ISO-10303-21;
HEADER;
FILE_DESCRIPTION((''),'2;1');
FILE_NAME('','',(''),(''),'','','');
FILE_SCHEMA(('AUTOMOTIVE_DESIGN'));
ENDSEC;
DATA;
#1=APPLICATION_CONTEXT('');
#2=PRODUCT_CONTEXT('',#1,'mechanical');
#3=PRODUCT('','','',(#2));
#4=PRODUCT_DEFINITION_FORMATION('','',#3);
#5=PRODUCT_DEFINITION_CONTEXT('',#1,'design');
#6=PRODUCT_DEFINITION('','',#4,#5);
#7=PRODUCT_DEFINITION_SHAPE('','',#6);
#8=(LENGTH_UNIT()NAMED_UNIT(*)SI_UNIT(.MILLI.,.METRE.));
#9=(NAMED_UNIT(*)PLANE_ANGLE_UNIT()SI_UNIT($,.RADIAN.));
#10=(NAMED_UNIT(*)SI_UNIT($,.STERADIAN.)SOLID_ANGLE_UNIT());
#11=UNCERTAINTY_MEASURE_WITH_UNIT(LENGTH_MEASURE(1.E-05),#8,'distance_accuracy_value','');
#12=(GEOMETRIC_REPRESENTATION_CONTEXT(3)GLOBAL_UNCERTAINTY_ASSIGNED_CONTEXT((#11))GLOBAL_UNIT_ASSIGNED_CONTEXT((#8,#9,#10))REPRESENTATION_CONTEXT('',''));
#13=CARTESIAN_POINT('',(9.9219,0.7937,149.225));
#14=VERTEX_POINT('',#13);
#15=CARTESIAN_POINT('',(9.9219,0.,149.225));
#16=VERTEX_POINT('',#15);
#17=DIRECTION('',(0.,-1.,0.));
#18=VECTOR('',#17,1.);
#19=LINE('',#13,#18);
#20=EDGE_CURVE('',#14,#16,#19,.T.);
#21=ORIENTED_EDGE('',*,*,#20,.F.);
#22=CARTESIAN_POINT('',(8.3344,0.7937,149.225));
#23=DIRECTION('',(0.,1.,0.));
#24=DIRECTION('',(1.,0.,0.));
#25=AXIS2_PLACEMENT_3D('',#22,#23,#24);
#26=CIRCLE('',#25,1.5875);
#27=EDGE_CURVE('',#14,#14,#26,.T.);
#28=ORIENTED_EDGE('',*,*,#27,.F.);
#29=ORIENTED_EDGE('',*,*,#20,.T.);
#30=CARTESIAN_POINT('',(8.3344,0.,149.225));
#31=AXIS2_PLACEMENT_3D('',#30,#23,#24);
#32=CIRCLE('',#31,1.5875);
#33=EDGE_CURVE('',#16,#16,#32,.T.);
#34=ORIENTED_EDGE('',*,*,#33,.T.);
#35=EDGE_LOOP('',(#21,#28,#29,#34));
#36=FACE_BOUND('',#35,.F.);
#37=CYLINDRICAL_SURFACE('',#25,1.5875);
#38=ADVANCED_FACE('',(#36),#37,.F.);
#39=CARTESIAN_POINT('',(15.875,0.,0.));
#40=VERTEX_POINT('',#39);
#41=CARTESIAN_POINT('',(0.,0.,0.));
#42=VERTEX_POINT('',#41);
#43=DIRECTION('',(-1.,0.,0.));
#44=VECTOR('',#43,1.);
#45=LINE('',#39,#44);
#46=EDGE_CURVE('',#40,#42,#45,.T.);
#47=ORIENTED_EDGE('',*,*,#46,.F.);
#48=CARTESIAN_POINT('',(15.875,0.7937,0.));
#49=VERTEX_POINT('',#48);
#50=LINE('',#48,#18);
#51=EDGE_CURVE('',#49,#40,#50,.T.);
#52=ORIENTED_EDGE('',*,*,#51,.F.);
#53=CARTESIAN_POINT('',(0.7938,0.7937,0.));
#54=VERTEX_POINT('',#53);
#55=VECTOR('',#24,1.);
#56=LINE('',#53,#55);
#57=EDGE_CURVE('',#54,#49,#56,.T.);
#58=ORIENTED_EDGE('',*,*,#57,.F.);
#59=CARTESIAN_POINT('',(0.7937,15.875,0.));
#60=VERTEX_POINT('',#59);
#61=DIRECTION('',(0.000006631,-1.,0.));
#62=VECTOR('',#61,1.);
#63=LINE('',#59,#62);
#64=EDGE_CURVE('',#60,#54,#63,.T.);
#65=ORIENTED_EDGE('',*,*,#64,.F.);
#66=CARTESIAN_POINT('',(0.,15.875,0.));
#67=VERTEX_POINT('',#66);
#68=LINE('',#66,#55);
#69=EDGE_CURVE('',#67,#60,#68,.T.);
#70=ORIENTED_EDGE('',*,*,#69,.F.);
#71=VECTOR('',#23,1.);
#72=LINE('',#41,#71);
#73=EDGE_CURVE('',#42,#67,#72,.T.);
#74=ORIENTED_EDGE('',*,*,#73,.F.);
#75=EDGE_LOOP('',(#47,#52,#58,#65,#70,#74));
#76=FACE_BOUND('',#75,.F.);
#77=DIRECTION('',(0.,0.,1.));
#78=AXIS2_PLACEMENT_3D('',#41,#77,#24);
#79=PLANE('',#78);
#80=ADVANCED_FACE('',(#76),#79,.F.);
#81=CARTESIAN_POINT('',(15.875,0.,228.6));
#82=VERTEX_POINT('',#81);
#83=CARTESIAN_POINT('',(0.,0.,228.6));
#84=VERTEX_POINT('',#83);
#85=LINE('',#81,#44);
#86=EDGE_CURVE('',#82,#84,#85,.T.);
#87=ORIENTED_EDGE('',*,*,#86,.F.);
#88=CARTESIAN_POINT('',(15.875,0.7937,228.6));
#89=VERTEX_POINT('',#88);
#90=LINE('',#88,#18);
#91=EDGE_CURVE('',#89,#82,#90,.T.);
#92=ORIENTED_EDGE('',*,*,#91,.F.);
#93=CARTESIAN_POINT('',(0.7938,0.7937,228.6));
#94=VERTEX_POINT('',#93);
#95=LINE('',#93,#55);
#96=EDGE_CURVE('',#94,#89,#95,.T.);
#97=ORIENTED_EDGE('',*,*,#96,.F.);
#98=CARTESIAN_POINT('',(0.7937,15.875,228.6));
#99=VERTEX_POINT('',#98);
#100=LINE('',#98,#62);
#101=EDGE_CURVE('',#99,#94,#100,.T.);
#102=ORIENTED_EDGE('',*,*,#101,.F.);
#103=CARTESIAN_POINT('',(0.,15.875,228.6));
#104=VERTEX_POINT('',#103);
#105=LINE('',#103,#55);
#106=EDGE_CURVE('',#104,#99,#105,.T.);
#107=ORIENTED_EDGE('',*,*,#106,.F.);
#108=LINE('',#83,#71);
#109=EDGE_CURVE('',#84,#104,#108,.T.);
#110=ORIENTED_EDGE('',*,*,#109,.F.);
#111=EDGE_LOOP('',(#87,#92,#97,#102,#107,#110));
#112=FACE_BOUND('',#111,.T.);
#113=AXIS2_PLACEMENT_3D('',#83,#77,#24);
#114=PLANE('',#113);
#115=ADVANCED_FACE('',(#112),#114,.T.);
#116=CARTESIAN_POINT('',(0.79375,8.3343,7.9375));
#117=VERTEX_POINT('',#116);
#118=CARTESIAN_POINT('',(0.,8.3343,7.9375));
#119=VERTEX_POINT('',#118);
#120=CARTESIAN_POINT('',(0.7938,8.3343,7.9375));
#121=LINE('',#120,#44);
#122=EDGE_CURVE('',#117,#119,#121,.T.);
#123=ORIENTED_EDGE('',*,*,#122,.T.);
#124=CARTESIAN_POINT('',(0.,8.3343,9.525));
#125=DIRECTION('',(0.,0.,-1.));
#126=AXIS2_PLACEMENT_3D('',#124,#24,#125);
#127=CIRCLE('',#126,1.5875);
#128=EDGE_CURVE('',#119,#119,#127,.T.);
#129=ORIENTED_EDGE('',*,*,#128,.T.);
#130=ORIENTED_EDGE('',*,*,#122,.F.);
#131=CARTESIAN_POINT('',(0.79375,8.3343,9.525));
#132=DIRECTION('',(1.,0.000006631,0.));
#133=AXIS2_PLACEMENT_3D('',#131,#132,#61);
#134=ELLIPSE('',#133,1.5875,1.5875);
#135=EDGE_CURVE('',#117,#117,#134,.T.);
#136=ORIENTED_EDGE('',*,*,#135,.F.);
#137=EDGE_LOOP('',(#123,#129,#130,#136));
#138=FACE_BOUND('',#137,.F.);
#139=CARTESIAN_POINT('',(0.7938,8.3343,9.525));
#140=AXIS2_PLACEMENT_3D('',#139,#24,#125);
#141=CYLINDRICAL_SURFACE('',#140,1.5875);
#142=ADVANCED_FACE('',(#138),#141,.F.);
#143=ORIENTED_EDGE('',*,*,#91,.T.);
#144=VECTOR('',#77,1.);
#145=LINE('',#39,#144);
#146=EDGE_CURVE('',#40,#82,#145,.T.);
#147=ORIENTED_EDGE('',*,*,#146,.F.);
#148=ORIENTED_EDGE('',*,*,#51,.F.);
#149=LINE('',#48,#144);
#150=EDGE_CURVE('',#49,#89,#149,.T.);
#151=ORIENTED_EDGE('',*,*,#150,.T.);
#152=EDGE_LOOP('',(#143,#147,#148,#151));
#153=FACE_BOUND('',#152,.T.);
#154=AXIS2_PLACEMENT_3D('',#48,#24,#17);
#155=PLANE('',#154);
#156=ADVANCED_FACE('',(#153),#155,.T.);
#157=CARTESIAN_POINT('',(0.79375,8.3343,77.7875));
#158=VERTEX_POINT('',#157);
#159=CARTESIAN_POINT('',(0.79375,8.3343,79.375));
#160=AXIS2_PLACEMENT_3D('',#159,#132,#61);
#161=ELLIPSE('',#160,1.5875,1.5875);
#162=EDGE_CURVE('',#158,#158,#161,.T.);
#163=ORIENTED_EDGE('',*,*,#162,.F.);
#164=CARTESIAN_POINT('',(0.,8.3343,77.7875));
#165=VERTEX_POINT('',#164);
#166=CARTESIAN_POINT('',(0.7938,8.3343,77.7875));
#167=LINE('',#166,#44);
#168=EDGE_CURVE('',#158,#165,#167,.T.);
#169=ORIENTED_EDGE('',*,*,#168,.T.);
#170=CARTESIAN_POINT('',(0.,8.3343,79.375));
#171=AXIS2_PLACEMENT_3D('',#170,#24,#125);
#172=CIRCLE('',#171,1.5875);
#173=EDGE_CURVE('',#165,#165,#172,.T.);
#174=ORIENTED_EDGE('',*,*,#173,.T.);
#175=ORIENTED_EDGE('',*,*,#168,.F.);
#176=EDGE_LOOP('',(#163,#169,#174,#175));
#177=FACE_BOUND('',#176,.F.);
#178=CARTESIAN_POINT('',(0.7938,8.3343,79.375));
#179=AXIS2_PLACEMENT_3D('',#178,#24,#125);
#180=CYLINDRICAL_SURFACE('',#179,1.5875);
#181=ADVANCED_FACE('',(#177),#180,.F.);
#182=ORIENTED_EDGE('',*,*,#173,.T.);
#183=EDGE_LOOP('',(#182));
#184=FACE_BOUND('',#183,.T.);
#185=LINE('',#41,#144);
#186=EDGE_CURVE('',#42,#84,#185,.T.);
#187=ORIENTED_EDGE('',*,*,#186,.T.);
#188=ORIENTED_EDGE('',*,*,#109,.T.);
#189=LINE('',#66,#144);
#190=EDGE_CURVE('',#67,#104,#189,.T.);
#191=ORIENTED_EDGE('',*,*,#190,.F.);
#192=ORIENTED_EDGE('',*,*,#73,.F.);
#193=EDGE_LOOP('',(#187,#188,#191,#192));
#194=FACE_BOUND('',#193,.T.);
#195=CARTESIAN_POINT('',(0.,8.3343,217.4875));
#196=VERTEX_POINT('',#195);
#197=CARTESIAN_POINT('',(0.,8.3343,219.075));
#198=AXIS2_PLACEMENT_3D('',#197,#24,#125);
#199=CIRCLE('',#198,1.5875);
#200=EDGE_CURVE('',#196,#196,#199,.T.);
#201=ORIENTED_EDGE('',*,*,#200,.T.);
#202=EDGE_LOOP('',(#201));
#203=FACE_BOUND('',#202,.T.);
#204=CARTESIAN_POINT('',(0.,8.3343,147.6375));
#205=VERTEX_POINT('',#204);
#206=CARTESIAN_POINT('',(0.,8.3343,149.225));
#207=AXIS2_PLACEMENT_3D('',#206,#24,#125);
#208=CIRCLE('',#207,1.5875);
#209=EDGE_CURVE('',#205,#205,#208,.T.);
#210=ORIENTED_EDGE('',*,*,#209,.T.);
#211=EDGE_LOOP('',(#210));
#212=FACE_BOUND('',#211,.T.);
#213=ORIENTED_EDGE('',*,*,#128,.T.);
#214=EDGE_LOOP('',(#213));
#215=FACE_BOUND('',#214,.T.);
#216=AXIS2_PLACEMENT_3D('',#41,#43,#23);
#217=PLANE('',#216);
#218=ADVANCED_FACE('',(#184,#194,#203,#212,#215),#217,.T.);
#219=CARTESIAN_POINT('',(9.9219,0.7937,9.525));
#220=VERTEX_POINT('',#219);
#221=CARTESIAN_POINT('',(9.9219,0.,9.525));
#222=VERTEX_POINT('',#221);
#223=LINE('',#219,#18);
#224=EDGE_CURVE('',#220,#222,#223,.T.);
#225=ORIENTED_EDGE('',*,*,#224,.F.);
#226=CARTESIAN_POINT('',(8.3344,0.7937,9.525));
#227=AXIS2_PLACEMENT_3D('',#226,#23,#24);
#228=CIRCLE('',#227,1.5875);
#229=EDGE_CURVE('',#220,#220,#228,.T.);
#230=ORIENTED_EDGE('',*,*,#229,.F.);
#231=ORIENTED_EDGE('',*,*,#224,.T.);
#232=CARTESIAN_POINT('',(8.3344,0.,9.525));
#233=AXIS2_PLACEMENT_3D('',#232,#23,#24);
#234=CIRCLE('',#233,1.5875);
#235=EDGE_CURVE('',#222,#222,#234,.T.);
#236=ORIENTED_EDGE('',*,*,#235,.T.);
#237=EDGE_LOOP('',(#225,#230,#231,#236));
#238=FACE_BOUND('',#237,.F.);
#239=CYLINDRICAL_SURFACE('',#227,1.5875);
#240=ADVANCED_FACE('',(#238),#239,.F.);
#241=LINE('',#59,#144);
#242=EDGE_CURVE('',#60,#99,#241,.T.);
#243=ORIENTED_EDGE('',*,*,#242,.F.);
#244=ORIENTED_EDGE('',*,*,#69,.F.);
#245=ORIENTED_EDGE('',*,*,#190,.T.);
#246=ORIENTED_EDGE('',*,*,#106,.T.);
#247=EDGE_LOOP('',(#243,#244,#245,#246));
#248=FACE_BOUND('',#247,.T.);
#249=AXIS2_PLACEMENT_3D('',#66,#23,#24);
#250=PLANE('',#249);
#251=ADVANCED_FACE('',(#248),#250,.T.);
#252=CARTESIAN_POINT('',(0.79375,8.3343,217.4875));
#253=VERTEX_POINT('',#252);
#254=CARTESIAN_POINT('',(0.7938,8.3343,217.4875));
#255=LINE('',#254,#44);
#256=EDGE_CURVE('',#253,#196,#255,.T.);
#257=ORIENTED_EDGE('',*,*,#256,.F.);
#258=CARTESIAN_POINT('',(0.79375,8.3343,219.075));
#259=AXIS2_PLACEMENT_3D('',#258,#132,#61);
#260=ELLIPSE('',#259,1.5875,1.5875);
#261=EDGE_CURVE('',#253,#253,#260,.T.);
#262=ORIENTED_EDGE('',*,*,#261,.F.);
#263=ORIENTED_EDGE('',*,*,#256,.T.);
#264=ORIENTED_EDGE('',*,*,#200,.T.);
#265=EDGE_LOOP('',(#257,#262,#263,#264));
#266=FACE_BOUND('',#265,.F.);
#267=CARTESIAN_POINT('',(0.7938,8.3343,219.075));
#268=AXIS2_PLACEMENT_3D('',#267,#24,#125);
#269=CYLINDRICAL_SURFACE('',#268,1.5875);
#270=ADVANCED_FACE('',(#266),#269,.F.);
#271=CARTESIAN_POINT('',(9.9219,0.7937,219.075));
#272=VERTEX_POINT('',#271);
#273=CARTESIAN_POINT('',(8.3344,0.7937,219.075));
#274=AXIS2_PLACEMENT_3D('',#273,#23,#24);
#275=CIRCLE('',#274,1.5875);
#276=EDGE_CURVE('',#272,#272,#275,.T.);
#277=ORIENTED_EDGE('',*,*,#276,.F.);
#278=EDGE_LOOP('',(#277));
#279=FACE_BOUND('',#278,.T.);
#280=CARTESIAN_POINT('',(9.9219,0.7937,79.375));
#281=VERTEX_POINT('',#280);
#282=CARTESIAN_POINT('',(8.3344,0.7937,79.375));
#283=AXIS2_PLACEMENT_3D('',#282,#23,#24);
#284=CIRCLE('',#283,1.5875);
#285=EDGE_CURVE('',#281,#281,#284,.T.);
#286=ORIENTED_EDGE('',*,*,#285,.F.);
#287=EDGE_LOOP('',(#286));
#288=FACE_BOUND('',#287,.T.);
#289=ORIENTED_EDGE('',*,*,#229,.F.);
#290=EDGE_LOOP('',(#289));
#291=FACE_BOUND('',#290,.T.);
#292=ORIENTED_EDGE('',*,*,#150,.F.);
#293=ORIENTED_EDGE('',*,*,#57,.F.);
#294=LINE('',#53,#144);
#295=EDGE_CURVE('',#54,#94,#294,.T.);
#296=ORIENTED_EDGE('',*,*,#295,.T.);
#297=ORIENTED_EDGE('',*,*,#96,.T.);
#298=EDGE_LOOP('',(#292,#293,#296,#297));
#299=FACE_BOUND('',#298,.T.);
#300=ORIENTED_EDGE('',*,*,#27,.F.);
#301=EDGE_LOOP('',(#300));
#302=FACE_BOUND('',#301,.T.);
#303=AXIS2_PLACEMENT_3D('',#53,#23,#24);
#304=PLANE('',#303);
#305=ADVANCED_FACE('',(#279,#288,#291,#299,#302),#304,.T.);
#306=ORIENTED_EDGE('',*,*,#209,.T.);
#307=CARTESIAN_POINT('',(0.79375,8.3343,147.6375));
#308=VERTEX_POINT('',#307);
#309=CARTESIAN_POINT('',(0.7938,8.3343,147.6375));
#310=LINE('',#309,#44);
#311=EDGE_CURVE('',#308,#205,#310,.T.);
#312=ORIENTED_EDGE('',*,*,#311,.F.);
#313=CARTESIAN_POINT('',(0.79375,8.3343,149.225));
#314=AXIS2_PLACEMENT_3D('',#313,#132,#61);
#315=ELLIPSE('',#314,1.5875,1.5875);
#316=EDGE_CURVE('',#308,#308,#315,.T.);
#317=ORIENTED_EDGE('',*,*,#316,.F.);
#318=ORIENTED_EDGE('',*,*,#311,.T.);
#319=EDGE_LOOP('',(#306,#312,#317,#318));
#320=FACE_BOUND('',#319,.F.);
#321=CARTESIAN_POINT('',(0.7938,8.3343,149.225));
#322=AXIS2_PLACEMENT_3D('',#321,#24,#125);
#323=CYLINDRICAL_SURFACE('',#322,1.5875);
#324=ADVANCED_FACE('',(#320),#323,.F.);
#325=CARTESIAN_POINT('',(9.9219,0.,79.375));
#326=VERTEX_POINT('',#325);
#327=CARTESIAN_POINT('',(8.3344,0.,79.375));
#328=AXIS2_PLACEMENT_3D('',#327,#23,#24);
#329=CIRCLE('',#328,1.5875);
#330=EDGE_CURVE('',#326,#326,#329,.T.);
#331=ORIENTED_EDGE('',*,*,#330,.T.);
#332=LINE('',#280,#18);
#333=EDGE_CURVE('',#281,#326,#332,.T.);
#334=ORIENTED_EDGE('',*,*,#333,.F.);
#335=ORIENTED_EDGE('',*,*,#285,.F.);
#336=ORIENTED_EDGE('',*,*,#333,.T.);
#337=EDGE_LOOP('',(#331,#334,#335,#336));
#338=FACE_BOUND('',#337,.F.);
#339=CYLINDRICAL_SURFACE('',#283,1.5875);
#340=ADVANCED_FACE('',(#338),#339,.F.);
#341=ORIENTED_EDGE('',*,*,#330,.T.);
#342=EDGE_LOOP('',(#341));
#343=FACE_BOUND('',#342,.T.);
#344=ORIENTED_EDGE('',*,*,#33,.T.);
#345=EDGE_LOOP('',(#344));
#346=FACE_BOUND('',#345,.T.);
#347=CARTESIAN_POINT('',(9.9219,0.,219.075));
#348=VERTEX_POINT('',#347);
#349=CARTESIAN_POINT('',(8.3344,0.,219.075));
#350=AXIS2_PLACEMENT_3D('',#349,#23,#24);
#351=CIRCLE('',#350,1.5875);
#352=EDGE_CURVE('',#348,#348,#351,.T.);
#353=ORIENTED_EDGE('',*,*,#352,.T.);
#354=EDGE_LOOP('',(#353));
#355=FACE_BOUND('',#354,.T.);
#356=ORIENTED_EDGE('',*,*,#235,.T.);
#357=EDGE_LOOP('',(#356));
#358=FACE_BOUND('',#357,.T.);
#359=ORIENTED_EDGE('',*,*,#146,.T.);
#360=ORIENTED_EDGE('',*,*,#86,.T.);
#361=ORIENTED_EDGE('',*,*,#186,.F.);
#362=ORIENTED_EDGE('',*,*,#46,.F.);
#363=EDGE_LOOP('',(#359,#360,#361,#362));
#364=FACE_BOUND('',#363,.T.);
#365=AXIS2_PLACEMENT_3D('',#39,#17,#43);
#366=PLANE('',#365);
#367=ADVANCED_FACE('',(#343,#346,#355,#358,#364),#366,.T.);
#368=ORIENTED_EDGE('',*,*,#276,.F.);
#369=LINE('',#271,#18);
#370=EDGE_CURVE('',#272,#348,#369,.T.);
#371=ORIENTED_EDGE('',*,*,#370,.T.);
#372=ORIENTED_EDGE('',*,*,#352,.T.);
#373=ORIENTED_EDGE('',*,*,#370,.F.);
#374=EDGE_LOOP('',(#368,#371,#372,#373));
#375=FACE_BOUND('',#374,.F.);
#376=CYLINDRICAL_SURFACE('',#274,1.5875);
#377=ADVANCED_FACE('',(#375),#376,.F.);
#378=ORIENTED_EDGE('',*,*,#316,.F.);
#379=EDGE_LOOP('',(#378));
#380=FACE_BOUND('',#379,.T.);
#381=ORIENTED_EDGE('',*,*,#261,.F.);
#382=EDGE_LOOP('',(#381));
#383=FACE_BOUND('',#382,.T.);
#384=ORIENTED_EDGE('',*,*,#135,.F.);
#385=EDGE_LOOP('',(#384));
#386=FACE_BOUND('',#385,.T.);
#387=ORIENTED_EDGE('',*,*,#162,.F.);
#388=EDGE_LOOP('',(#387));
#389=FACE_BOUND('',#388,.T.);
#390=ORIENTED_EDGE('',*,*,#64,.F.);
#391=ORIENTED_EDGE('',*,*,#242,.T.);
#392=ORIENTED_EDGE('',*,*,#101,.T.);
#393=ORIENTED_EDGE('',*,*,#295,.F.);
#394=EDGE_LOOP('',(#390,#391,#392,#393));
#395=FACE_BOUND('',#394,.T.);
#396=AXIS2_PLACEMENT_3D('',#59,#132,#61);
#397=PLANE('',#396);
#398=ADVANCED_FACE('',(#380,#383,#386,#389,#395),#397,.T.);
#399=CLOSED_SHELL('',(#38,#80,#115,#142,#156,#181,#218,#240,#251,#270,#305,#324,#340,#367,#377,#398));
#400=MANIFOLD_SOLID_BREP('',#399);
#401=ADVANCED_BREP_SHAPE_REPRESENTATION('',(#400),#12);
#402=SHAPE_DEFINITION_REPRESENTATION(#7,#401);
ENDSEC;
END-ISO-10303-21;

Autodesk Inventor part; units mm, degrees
ref_plane "YZ Plane" through (0, 0, 0) normal (1, 0, 0) x (0, 1, 0)
ref_plane "XZ Plane" through (0, 0, 0) normal (0, 1, 0) x (-1, 0, 0)
ref_plane "XY Plane" through (0, 0, 0) normal (0, 0, 1) x (1, 0, 0)
sketch "Sketch1" plane through (0, 0, 0) normal (0, 0, 1) x (1, 0, 0)
  line L0 (0, 0) -> (0, 15.875)
  line L1 (0, 15.875) -> (0.7937, 15.875)
  line L2 (0.7937, 15.875) -> (0.7938, 0.7937)
  line L3 (0.7938, 0.7937) -> (15.875, 0.7937)
  line L4 (15.875, 0.7937) -> (15.875, 0)
  line L5 (15.875, 0) -> (0, 0)
  dimension "d0" = 15.875
  dimension "d1" = 0.7937
extrude "Extrusion1" add sketch "Sketch1" along normal blind 228.6
sketch "Sketch2" plane through (0.7938, 0.7937, 0) normal (0, 1, 0) x (1, 0, 0)
  line L0 (0, 0) -> (15.0812, 0) projected
  line L1 (15.0812, -228.6) -> (0, -228.6) projected
  line L2 (7.5406, 0) -> (7.5406, -228.6) construction
  circle A0 centre (7.5406, -9.525) radius 1.5875
  circle A1 centre (7.5406, -79.375) radius 1.5875
  circle A2 centre (7.5406, -149.225) radius 1.5875
  circle A3 centre (7.5406, -219.075) radius 1.5875
  point P0 (-0.7938, 0)
  dimension "d4" = 9.525
  dimension "d5" = 3.175
  dimension "d6" = 228.6
  dimension "d9" = 69.85
sketch "Sketch3" plane through (0.7938, 0.7937, 0) normal (1, 0, 0) x (0, 0, -1)
  line L0 (0, 15.0812) -> (0, 0) projected
  line L1 (-228.6, 0) -> (-228.6, 15.0812) projected
  line L2 (-228.6, 7.5406) -> (0, 7.5406) construction
  circle A0 centre (-9.525, 7.5406) radius 1.5875
  circle A1 centre (-79.375, 7.5406) radius 1.5875
  circle A2 centre (-149.225, 7.5406) radius 1.5875
  circle A3 centre (-219.075, 7.5406) radius 1.5875
  point P0 (0, -0.7937)
  dimension "d14" = 3.175
  dimension "d15" = 9.525
  dimension "d16" = 228.6
  dimension "d19" = 69.85
extrude "Extrusion2" cut sketch "Sketch2" against normal through all
extrude "Extrusion3" cut sketch "Sketch3" against normal through all
properties part number "Hopper Bracing Front Bottom P6" material "Aluminum 6061"
